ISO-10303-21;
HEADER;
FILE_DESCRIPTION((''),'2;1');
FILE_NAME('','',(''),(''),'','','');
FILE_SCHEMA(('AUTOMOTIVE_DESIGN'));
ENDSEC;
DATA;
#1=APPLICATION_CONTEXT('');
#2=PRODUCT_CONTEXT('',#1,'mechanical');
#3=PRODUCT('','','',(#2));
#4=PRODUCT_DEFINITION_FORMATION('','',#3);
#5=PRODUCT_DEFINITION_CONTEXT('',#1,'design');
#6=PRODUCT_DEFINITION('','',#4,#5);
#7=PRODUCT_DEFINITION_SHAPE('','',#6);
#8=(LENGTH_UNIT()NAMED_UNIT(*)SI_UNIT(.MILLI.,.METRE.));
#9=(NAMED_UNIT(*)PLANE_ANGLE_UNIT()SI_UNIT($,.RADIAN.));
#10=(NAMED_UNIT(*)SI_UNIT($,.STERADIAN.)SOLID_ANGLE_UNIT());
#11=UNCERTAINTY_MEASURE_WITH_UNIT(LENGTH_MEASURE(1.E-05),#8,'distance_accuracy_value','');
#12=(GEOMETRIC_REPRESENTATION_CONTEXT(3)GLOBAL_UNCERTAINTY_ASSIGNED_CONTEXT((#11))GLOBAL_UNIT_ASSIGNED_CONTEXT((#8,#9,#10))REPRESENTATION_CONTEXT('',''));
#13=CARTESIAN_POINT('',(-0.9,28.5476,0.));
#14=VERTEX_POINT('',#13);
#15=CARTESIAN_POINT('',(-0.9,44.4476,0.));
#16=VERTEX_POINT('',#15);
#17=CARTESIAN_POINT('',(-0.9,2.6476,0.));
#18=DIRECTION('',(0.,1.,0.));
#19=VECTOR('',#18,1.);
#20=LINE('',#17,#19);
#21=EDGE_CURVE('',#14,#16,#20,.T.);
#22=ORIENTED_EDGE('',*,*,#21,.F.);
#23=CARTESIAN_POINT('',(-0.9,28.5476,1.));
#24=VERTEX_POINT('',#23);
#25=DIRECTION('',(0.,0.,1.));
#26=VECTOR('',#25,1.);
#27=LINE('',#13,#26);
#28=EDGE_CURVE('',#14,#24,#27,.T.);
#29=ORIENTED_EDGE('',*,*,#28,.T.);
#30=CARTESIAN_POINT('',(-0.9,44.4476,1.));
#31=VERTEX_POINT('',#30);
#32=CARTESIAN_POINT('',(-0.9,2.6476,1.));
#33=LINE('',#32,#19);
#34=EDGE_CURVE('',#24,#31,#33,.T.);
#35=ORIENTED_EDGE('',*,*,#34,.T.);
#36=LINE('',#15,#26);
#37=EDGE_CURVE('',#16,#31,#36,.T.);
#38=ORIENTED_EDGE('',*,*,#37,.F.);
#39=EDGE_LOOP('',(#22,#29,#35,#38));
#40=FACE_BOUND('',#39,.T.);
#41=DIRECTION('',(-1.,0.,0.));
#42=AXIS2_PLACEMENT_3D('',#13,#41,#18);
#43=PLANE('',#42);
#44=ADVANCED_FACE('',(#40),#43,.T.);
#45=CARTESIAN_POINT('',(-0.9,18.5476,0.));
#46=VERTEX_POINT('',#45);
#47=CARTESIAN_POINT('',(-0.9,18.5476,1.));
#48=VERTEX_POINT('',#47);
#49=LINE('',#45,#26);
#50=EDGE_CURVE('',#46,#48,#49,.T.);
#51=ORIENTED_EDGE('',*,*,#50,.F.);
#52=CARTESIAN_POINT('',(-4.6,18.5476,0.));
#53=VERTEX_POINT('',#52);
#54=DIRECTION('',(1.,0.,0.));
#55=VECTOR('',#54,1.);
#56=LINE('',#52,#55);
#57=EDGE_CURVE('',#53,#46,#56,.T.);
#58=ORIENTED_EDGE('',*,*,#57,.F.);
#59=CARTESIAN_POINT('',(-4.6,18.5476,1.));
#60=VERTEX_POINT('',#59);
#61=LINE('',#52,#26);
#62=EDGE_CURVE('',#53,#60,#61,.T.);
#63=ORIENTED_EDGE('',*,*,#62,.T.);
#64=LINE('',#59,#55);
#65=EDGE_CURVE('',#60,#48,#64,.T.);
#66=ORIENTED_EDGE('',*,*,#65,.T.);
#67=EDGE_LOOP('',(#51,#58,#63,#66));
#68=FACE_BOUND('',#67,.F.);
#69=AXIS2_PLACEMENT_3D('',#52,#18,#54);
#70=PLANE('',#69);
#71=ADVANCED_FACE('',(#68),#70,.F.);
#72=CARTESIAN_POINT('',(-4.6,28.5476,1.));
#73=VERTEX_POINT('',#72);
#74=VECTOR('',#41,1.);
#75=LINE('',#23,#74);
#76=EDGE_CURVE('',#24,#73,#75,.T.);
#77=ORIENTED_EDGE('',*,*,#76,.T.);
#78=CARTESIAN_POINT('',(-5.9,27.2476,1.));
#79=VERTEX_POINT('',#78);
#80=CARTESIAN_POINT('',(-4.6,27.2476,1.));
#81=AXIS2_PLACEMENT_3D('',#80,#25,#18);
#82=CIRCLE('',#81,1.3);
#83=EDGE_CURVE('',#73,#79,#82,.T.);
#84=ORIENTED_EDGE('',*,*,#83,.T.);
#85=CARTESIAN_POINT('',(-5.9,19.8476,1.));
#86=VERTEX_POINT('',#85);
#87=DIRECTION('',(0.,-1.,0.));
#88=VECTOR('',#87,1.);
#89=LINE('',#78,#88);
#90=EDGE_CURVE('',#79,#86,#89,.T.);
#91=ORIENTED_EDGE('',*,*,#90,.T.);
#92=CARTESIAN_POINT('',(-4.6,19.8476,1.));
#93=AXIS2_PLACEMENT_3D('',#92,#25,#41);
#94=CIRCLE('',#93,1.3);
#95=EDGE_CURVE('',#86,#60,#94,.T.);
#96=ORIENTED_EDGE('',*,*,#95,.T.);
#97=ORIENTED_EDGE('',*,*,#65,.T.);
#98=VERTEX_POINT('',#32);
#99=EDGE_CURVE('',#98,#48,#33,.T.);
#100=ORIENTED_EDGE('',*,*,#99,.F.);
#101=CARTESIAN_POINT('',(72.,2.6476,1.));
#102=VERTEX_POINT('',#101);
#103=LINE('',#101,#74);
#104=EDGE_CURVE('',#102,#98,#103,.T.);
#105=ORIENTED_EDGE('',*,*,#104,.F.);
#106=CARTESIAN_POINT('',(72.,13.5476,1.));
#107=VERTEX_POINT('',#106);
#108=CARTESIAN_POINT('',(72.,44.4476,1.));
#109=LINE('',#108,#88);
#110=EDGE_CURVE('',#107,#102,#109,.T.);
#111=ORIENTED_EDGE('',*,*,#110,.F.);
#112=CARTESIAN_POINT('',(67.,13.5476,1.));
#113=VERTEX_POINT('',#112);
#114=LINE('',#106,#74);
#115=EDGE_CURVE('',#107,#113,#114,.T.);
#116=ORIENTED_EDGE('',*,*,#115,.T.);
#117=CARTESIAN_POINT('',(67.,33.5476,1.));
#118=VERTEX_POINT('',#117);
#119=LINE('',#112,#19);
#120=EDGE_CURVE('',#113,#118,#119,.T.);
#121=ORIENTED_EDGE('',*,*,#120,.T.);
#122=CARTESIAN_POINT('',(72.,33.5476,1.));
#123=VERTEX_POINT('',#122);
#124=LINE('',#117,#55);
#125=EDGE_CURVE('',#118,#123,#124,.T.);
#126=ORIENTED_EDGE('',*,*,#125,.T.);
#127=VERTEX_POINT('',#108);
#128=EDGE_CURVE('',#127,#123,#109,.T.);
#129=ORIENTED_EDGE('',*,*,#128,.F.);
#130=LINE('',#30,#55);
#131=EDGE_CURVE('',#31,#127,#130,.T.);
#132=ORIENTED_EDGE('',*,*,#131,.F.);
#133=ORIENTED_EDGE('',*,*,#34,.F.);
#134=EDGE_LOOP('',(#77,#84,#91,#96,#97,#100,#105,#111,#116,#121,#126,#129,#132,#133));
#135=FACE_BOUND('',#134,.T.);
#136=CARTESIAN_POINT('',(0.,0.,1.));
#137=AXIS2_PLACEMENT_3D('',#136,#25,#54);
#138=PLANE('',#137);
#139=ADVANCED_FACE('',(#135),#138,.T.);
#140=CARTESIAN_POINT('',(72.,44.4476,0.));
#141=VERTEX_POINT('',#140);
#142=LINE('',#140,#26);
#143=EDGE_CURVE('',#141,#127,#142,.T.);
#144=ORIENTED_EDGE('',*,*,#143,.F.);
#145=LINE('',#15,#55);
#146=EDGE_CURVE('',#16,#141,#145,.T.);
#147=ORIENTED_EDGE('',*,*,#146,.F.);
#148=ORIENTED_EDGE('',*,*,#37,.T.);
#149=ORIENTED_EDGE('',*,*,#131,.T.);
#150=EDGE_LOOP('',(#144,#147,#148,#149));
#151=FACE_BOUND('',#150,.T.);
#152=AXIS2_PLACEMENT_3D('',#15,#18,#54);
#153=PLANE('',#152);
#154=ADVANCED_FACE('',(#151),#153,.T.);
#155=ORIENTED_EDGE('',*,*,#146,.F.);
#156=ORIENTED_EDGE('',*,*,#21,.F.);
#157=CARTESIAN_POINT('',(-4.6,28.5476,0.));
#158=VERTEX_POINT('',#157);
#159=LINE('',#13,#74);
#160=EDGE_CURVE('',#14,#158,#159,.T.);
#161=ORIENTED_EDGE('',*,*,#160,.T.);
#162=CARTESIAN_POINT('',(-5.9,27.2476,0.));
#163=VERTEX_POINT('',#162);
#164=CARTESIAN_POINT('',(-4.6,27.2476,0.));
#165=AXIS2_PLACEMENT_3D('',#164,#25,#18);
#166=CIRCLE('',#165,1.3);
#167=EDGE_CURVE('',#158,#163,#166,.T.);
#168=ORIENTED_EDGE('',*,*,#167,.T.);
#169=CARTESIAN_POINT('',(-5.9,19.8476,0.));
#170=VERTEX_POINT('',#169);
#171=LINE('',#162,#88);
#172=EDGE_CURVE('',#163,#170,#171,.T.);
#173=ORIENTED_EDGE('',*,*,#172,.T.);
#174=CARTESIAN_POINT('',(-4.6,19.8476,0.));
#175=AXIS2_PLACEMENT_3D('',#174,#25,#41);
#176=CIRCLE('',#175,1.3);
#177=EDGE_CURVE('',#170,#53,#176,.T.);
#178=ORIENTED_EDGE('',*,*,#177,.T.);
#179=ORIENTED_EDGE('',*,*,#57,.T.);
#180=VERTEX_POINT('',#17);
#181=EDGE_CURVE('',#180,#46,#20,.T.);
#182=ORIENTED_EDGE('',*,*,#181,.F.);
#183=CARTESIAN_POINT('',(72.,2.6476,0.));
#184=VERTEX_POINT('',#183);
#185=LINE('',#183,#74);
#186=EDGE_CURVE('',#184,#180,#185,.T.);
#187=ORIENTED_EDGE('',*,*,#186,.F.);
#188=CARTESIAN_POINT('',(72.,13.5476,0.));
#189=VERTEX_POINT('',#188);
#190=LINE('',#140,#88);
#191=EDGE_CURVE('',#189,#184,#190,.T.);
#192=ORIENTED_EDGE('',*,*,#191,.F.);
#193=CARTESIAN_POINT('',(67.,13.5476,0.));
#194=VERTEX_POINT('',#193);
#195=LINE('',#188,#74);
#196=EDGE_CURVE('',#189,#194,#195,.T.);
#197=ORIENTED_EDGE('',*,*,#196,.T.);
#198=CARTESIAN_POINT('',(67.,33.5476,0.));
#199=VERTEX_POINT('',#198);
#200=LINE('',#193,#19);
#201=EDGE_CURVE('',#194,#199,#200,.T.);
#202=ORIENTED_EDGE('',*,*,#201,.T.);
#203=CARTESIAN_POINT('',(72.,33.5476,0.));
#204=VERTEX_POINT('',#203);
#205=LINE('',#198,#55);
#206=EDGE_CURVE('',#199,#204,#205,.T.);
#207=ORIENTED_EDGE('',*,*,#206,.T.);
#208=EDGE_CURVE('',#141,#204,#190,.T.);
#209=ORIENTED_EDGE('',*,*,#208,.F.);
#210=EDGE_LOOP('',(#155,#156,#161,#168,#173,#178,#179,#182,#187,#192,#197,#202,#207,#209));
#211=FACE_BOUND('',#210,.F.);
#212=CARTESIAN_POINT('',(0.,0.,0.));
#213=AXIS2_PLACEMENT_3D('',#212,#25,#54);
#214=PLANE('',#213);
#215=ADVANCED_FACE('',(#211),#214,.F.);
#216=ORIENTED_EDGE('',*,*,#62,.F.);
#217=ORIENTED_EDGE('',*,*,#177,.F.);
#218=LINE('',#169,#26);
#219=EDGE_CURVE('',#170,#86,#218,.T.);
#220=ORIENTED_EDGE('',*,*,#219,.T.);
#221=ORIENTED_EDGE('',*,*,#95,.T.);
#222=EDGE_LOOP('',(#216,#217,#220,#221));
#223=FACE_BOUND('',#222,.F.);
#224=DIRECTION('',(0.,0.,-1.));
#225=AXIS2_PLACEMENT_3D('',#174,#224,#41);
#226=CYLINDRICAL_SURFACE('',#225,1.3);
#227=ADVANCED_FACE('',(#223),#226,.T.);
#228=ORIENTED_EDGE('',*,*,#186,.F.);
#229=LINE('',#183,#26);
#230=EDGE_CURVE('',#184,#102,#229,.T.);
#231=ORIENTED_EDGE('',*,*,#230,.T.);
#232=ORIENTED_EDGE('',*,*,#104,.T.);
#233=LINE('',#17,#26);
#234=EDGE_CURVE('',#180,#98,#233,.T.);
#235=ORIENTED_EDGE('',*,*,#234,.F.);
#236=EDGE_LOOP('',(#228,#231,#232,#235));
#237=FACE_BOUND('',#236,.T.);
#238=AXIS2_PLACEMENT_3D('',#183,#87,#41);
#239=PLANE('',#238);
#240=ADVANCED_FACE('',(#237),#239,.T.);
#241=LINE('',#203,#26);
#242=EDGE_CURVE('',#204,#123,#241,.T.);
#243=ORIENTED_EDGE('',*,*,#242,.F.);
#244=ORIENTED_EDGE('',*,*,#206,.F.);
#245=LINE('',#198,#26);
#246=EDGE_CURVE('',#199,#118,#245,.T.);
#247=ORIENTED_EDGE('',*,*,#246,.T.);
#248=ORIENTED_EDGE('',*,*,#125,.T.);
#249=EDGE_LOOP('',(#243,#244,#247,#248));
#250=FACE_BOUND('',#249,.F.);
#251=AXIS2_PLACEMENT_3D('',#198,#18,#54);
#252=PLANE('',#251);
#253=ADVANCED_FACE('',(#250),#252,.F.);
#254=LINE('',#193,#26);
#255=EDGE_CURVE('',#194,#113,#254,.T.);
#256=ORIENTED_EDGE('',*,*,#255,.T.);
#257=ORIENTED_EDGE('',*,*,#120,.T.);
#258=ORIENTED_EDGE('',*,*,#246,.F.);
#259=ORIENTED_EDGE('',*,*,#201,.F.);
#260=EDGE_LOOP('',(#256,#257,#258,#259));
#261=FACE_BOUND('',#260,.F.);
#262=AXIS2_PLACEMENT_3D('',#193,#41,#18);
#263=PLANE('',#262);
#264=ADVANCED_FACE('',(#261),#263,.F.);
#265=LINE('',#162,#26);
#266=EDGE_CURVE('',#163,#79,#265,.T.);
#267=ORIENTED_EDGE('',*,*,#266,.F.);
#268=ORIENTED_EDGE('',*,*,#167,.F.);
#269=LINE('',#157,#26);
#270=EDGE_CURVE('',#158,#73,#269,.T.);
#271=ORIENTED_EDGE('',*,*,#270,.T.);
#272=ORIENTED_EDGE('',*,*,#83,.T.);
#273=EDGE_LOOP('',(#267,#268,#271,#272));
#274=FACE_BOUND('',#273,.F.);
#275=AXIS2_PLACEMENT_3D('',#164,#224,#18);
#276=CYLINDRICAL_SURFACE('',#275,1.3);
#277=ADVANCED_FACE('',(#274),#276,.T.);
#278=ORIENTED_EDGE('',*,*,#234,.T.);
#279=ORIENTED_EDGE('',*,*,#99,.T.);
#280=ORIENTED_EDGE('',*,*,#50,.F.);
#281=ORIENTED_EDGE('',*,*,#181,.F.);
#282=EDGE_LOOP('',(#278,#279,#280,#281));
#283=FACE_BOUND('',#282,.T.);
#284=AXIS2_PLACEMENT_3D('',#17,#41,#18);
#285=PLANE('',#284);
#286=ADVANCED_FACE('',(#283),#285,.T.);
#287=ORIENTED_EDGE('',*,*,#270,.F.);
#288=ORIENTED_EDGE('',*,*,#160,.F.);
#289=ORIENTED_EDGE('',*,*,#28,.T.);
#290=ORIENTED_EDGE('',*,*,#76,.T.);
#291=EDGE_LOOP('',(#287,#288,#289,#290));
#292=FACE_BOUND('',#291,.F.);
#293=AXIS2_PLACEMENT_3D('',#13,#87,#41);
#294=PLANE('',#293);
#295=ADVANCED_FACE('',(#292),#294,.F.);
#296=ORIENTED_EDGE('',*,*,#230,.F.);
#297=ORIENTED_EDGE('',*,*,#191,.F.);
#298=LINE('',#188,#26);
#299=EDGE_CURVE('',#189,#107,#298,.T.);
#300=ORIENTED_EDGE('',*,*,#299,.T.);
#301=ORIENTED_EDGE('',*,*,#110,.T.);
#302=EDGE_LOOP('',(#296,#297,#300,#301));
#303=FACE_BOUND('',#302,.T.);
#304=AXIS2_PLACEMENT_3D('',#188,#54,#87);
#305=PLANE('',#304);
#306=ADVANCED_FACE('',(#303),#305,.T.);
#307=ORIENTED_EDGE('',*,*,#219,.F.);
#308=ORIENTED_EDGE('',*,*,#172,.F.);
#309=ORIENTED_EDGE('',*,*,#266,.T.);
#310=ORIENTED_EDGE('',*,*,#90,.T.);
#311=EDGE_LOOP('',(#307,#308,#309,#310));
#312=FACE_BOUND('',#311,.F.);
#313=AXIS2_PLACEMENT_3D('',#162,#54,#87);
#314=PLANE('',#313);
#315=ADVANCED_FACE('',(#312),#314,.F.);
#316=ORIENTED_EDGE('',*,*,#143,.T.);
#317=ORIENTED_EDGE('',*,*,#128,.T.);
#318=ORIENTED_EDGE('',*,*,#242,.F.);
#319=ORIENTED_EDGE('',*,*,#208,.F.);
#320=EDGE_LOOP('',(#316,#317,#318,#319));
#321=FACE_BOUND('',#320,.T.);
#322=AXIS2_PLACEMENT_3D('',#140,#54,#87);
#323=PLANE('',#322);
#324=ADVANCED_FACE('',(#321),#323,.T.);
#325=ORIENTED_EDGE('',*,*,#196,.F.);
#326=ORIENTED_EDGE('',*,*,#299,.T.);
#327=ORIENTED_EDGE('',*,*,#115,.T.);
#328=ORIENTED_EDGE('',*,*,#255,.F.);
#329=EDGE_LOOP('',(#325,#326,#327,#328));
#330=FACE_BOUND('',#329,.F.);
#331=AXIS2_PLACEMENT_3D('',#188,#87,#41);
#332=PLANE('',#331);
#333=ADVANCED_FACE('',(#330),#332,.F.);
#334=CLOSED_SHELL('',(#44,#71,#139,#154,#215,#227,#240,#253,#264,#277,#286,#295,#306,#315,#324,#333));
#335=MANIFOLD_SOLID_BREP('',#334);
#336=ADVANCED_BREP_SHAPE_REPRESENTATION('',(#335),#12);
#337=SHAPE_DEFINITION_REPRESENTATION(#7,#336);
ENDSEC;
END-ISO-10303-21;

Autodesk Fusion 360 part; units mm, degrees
sketch "Sketch1" plane through (0, 0, 0) normal (0, 0, 1) x (1, 0, 0)
  line L0 (-0.9, 44.4476) -> (72, 44.4476)
  line L1 (72, 44.4476) -> (72, 2.6476)
  line L2 (72, 2.6476) -> (-0.9, 2.6476)
  line L3 (-0.9, 2.6476) -> (-0.9, 44.4476)
  line L4 (-0.9, 23.5476) -> (72, 23.5476) construction
  line L5 (72, 13.5476) -> (67, 13.5476)
  line L6 (67, 13.5476) -> (67, 33.5476)
  line L7 (67, 33.5476) -> (72, 33.5476)
  line L8 (72, 33.5476) -> (72, 13.5476)
  line L9 (-0.9, 28.5476) -> (-4.6, 28.5476)
  line L10 (-5.9, 27.2476) -> (-5.9, 19.8476)
  line L11 (-4.6, 18.5476) -> (-0.9, 18.5476)
  line L12 (-0.9, 18.5476) -> (-0.9, 28.5476)
  arc A0 (-4.6, 28.5476) -> (-5.9, 27.2476) centre (-4.6, 27.2476) ccw
  arc A1 (-5.9, 19.8476) -> (-4.6, 18.5476) centre (-4.6, 19.8476) ccw
  point P0 (-5.9, 28.5476)
  point P1 (-5.9, 18.5476)
  dimension "d1" = 72.9
  dimension "d2" = 41.8
  dimension "d5" = 20
  dimension "d6" = 5
  dimension "d7" = 10
  dimension "d8" = 5
  dimension "d9" = 1.3
extrude "Extrude1" add sketch "Sketch1" along normal blind 1 contours L0 L1 L2 L3 L5 L6 L7 L12 | L3 L9 L10 L11 L12 A0 A1
